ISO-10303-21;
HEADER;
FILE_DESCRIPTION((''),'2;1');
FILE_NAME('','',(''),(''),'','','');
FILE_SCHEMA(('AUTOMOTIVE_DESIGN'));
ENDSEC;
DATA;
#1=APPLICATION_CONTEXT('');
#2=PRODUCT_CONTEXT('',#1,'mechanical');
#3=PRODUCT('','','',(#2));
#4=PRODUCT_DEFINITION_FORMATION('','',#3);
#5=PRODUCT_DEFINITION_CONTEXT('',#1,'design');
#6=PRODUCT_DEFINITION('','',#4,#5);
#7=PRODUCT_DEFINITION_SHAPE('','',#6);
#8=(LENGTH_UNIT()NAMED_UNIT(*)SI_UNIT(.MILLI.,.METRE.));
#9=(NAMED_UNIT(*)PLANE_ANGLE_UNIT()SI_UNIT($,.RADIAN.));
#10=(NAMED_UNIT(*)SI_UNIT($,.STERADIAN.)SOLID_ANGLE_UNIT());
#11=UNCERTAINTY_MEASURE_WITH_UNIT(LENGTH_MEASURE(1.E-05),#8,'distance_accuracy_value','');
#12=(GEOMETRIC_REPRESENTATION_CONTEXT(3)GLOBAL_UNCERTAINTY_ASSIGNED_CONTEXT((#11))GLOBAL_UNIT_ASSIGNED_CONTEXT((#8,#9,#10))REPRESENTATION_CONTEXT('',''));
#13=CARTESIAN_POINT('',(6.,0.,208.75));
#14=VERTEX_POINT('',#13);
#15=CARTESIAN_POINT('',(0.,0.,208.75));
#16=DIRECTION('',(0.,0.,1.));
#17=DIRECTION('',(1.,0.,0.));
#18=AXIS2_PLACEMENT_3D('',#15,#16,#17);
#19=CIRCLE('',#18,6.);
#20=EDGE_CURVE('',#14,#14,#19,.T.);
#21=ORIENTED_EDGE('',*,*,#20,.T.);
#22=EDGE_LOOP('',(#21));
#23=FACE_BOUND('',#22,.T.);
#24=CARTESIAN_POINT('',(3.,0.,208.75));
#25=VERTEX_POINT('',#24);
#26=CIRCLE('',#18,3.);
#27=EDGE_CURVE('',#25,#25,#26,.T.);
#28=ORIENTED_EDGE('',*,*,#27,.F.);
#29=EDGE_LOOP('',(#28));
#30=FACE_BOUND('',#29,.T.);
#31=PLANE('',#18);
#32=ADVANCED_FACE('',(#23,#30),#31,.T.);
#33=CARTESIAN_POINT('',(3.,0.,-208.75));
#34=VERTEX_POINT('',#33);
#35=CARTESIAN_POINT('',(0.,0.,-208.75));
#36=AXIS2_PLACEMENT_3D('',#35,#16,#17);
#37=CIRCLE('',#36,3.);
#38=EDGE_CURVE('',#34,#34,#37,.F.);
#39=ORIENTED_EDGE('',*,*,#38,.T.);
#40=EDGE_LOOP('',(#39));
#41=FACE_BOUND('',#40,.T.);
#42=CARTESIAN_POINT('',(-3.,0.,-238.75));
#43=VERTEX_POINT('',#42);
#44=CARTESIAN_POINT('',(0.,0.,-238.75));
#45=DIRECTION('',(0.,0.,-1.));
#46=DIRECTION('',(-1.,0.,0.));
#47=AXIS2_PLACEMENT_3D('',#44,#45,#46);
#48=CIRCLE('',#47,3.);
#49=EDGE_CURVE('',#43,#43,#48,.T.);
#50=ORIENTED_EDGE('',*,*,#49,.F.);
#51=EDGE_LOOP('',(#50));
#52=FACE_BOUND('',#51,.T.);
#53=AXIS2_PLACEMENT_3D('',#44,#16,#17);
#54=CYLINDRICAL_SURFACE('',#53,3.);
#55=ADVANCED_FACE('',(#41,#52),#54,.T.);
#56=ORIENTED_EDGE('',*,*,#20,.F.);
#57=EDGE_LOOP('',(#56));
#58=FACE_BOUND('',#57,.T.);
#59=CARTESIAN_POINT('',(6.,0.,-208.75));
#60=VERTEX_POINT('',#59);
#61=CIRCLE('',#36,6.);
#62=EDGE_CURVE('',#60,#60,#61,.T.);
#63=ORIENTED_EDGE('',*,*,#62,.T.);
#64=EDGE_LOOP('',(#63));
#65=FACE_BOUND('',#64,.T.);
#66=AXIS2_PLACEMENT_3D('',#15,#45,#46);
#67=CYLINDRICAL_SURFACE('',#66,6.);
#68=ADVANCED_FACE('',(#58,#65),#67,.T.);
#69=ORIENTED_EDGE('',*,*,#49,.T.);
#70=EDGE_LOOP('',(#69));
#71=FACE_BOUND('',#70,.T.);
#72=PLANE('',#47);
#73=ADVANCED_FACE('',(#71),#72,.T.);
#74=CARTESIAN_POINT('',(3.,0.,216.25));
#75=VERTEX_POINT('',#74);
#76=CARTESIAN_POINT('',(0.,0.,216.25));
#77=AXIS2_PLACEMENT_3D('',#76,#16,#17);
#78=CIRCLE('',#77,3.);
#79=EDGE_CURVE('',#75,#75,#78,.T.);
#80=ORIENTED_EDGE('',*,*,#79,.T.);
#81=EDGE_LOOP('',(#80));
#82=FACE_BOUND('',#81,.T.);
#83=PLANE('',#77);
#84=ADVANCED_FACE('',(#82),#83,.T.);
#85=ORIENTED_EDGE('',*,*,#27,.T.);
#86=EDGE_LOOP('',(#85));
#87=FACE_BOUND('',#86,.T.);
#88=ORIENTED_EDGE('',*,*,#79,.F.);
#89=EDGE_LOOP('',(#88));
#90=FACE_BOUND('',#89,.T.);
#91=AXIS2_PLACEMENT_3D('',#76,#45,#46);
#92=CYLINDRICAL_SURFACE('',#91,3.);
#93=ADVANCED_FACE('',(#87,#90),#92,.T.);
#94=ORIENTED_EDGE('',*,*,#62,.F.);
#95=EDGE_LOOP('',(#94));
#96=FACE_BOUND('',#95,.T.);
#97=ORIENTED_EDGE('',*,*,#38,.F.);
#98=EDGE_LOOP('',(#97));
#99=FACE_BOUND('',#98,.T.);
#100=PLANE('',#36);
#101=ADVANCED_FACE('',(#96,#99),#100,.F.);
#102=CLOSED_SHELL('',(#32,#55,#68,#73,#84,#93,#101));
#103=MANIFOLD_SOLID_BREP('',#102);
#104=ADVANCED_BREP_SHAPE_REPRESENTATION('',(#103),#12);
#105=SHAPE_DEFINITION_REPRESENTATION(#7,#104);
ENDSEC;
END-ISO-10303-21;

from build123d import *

# Parameters (mm, degrees)
SKETCH1_R           = 6
BOSS_EXTRUDE1_DEPTH = 208.75
SKETCH2_R           = 3
BOSS_EXTRUDE4_DEPTH = 7.5
BOSS_EXTRUDE5_START = 30
SKETCH3_R           = 3
BOSS_EXTRUDE5_DEPTH = 30


with BuildPart() as part:
    # Sketch1 → Boss-Extrude1 (new, symmetric)
    with BuildSketch(Plane.XY):
        Circle(SKETCH1_R)
    extrude(amount=BOSS_EXTRUDE1_DEPTH, both=True)

    # Sketch2 → Boss-Extrude4 (add)
    with BuildSketch(Plane.XY.offset(208.75)):
        Circle(SKETCH2_R)
    extrude(amount=BOSS_EXTRUDE4_DEPTH)

    # Sketch3 → Boss-Extrude5 (add)
    with BuildSketch(Plane(origin=(0, 0, -208.75), x_dir=(-1, 0, 0), z_dir=(0, 0, -1)).offset(BOSS_EXTRUDE5_START)):
        with Locations(Location((0, 0, 0), (0, 0, 180))):
            Circle(SKETCH3_R)
    extrude(amount=-BOSS_EXTRUDE5_DEPTH)


solid = part.part
